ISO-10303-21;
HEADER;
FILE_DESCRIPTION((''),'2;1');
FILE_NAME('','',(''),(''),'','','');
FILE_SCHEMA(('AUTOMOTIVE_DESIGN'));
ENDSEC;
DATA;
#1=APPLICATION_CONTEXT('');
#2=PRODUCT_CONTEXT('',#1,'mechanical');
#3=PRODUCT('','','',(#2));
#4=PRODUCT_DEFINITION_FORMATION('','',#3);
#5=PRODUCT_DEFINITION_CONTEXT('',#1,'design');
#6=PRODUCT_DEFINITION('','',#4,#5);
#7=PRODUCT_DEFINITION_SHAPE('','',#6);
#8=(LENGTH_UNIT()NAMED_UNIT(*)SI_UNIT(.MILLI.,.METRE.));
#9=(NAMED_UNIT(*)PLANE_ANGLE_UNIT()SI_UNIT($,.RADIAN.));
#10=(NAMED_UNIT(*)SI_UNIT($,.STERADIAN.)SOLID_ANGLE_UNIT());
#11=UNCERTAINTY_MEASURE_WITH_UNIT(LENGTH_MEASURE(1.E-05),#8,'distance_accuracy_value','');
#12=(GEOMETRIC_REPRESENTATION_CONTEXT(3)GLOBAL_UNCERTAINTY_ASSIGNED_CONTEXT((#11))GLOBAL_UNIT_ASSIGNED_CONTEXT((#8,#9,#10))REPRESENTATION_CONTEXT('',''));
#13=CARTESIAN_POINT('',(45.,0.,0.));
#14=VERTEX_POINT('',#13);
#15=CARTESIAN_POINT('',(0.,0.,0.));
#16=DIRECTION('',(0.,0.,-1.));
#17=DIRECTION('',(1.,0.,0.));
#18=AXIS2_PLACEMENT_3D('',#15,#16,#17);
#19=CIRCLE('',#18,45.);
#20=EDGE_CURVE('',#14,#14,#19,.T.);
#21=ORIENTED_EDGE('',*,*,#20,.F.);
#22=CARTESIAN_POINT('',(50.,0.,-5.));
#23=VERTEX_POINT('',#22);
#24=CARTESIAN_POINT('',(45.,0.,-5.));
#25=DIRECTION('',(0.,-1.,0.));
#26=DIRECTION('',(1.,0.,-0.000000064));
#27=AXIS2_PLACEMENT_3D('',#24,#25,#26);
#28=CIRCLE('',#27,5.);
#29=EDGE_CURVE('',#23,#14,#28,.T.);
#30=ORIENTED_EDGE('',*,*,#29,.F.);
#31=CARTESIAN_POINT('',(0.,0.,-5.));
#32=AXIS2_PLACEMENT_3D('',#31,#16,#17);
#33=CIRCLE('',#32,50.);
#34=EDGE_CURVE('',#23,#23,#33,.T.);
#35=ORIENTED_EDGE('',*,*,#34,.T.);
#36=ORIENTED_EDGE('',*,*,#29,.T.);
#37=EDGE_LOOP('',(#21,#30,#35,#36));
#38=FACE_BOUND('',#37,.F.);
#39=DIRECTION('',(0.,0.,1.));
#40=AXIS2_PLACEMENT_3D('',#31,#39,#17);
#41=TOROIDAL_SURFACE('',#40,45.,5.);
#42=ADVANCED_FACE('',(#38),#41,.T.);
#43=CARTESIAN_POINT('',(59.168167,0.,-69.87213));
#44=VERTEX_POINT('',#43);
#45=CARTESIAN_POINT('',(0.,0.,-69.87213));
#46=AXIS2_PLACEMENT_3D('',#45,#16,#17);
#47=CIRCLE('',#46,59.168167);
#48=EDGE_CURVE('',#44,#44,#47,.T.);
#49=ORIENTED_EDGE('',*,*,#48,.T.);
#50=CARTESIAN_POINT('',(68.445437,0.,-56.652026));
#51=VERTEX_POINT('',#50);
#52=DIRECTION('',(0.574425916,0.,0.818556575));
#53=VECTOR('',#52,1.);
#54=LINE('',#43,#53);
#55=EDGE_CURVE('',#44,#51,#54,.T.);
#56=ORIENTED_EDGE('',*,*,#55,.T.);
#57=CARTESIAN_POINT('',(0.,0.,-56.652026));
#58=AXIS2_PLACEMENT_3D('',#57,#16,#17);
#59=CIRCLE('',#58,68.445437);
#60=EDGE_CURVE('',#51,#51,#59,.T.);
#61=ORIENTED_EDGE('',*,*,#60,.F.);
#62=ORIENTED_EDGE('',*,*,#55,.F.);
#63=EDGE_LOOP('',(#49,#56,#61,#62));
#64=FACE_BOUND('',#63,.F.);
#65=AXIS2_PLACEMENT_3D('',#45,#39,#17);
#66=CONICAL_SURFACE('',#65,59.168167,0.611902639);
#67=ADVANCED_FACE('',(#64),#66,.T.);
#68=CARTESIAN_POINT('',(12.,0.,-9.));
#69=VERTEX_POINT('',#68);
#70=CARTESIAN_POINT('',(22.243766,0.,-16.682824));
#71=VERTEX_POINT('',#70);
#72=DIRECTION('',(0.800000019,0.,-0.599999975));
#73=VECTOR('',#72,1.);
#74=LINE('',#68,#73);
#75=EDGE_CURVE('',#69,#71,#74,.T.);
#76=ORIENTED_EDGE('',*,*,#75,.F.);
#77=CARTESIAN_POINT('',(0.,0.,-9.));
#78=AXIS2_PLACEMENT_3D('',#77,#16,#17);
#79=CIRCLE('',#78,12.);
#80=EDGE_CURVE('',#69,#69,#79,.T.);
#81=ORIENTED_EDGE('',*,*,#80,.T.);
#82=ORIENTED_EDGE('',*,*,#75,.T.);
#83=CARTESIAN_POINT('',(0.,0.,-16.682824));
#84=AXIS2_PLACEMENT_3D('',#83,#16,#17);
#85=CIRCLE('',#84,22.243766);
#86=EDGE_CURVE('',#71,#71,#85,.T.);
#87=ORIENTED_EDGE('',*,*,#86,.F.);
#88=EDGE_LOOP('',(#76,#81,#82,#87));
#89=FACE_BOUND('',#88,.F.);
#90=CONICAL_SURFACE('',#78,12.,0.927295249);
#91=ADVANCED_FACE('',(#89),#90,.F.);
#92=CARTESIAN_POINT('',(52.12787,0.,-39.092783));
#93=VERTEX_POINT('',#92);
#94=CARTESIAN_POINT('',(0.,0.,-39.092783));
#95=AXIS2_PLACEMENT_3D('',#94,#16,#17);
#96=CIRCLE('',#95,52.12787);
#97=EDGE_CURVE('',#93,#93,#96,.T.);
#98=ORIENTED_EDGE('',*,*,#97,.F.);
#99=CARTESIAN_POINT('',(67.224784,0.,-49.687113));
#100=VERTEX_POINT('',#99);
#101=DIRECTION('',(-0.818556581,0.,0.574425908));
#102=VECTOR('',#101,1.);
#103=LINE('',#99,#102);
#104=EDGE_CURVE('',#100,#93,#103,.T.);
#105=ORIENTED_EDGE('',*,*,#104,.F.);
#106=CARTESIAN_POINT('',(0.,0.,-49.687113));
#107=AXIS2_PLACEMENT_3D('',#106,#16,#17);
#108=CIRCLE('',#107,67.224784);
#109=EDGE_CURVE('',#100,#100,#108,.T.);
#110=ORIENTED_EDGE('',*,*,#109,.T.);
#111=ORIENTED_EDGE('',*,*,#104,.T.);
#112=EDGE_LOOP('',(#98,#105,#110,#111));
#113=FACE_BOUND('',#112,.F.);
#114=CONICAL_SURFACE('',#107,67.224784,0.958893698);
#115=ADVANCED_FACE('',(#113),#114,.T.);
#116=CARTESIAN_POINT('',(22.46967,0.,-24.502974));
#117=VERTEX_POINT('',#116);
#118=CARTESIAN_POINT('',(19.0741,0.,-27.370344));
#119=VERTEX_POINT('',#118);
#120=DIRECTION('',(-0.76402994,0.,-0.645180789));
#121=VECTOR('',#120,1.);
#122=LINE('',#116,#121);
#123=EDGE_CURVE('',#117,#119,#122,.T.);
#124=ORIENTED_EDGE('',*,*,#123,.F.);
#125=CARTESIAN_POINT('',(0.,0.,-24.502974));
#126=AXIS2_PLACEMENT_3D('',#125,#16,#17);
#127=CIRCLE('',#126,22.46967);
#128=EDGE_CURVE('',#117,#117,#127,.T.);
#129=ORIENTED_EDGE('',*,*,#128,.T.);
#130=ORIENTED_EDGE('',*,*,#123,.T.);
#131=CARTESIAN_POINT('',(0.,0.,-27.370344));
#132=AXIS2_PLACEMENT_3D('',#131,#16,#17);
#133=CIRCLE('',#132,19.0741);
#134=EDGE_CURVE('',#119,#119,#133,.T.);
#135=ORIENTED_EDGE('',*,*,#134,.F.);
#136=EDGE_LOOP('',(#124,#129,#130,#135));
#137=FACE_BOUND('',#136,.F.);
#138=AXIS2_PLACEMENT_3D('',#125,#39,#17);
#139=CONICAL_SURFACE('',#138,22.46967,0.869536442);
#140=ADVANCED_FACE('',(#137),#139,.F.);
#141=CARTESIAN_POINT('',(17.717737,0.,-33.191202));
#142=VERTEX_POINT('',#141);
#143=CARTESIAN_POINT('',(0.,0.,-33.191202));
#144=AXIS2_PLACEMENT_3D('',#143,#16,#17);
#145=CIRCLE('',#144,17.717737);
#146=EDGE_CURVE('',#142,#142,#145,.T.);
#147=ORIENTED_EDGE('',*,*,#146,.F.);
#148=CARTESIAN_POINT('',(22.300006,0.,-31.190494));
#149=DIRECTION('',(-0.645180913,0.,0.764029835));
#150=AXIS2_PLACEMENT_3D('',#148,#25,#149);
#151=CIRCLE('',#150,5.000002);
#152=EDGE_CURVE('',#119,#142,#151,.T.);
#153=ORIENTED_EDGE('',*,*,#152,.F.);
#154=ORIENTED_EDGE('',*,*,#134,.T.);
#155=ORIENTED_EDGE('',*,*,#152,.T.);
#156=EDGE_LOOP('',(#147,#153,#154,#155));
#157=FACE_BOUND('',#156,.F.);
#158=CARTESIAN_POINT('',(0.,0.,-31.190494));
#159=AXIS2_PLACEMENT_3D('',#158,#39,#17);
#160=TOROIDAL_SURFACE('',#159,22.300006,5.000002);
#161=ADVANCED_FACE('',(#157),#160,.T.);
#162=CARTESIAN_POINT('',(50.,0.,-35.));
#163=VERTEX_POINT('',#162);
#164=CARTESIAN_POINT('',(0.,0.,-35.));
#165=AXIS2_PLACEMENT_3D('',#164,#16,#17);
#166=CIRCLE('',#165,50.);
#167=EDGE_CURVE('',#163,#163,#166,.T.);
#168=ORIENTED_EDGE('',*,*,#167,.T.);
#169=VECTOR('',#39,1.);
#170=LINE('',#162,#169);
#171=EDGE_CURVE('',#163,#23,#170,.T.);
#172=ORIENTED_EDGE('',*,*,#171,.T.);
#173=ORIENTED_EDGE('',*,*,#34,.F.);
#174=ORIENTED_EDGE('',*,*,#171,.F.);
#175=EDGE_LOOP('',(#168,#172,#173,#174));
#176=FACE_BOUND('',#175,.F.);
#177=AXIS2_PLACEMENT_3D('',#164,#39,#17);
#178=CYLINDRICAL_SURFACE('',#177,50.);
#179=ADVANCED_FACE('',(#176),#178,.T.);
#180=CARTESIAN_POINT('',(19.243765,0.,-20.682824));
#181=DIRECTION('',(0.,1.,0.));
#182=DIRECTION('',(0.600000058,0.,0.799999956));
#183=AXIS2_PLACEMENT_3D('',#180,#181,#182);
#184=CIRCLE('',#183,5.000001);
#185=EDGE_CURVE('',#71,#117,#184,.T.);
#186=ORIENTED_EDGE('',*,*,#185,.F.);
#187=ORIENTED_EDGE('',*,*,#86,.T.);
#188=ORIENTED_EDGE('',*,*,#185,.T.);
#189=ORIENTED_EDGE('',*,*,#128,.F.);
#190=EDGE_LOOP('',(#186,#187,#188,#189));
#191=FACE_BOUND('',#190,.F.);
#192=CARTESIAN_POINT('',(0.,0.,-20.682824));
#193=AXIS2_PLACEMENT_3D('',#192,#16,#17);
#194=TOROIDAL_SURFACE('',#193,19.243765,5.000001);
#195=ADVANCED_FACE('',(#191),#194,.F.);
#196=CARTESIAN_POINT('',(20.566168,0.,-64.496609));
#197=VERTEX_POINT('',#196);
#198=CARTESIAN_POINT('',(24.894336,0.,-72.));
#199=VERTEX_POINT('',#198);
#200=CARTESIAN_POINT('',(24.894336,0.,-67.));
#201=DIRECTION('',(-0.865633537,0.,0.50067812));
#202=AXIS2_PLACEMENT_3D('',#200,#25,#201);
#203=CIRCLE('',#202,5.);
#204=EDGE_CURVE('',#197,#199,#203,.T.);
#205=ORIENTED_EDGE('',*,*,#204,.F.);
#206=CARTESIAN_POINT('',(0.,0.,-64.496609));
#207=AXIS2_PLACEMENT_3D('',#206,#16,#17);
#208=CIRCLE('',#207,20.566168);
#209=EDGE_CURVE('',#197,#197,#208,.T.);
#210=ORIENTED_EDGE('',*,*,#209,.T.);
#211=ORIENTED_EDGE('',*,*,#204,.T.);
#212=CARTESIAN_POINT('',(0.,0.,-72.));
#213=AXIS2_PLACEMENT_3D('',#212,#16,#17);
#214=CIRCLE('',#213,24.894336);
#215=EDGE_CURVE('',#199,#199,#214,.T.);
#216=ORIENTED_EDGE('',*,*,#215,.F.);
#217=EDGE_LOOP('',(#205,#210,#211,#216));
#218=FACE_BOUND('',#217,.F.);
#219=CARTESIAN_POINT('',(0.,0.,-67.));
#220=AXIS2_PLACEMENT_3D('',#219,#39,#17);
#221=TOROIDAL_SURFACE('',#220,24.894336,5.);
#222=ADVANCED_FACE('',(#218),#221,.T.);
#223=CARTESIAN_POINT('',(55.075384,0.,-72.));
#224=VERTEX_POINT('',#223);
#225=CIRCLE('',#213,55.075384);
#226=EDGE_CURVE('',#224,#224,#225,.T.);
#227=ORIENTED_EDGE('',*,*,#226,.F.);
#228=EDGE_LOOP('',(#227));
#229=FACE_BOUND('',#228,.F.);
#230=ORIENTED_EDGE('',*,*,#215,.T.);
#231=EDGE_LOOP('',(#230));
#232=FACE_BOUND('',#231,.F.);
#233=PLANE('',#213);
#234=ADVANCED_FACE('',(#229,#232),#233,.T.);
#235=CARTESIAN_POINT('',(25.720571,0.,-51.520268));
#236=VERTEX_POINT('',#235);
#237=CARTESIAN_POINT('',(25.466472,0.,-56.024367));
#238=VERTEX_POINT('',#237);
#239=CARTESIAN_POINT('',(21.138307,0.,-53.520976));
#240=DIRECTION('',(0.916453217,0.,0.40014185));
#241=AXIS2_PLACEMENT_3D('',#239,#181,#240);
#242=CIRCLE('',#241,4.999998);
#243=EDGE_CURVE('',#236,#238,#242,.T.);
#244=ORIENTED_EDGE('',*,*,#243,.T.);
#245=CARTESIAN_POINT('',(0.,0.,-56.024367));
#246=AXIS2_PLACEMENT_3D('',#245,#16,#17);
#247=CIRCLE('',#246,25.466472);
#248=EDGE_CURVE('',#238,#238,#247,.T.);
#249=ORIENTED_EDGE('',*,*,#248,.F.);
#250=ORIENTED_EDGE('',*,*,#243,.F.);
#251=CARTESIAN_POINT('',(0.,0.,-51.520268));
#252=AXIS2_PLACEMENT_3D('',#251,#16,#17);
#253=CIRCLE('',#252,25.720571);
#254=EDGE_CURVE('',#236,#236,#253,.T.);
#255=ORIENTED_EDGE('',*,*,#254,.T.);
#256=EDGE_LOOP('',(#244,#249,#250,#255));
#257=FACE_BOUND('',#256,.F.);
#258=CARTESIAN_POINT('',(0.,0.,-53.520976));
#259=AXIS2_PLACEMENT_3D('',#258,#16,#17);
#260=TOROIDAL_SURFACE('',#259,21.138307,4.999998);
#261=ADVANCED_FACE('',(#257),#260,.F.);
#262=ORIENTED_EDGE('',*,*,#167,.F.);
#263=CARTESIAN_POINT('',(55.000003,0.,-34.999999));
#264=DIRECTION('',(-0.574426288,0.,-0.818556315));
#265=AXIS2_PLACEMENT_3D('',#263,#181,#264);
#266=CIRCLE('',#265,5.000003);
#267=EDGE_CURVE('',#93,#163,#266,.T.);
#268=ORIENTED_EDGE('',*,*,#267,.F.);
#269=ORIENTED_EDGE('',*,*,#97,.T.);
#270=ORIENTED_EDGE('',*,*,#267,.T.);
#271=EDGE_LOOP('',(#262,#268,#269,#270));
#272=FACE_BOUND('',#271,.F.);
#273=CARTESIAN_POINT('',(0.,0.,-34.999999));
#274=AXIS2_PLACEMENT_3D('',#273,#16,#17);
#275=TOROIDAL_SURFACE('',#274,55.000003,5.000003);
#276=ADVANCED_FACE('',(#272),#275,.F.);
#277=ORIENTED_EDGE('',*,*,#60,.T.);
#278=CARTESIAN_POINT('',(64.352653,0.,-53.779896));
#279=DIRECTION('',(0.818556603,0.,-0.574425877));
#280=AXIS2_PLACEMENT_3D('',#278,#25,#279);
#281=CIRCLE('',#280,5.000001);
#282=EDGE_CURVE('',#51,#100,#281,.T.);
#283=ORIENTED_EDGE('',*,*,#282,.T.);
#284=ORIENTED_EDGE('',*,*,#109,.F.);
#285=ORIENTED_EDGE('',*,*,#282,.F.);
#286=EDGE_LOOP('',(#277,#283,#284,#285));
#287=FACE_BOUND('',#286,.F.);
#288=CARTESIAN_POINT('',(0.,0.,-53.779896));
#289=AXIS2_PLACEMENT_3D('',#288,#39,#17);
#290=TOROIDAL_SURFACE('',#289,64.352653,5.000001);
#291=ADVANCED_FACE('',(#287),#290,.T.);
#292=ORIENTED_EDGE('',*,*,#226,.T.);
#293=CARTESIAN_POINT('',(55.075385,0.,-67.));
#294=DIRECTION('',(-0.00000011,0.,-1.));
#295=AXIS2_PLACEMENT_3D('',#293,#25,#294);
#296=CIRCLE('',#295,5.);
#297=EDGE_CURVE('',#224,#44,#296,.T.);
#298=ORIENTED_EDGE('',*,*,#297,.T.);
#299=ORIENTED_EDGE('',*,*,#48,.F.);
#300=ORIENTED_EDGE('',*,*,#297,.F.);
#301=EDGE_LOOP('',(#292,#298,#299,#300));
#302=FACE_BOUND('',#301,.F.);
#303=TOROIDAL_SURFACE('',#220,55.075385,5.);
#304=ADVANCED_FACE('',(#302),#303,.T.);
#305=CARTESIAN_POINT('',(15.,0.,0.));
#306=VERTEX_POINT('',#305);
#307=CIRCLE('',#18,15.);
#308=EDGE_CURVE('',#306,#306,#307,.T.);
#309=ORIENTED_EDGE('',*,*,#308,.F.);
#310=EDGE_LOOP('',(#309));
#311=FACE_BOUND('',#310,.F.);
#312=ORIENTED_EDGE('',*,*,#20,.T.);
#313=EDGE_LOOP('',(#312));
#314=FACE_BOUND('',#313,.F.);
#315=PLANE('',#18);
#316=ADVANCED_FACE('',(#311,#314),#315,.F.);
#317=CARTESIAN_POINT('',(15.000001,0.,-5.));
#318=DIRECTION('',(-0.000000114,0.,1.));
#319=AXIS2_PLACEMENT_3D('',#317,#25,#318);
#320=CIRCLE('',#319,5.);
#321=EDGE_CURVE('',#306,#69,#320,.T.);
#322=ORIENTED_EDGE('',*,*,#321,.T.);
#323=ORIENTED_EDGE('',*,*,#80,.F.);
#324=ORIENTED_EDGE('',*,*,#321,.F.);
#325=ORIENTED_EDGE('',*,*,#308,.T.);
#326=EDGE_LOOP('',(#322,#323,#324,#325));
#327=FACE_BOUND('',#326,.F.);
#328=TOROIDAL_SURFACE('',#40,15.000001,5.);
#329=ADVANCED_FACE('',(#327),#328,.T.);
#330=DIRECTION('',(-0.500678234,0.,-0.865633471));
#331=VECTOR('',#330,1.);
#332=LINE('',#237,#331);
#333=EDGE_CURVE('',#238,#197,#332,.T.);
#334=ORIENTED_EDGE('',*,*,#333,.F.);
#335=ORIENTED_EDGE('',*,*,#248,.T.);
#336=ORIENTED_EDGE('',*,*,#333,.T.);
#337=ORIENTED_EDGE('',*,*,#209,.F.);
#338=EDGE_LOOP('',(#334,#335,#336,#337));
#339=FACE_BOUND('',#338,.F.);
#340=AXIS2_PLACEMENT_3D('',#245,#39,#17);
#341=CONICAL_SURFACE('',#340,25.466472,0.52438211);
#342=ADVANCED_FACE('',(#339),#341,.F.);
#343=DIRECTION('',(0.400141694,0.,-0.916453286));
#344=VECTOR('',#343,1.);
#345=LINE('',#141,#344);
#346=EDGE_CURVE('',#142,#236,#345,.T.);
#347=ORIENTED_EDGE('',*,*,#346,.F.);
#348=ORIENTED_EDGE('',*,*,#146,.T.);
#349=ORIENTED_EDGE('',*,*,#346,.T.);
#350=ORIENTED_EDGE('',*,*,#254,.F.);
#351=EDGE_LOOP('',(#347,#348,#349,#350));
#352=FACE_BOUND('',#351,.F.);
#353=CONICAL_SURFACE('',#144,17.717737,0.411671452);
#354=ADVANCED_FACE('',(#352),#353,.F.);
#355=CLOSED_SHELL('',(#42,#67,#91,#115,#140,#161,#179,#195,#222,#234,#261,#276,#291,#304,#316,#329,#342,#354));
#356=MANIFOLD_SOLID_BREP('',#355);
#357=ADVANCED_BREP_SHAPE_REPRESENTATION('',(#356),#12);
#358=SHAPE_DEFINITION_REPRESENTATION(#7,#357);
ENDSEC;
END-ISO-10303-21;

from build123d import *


with BuildPart() as f1:
    # F0 (on Front) → F1 (revolve)
    with BuildSketch(Plane.XZ):
        with BuildLine():
            Line((45, 0), (15, 0))
            ThreePointArc((15, 0), (10.256584, -3.418861), (12, -9))
            Line((12, -9), (22.243766, -16.682824))
            ThreePointArc((22.243766, -16.682824), (24.241681, -20.538447), (22.46967, -24.502974))
            Line((22.46967, -24.502974), (19.0741, -27.370344))
            ThreePointArc((19.0741, -27.370344), (17.430458, -30.055804), (17.717737, -33.191202))
            Line((17.717737, -33.191202), (25.720571, -51.520268))
            ThreePointArc((25.720571, -51.520268), (26.130367, -53.802604), (25.466472, -56.024367))
            Line((25.466472, -56.024367), (20.566168, -64.496609))
            ThreePointArc((20.566168, -64.496609), (20.56323, -69.498304), (24.894336, -72))
            Line((24.894336, -72), (55.075384, -72))
            ThreePointArc((55.075384, -72), (57.381827, -71.436251), (59.168167, -69.87213))
            Line((59.168167, -69.87213), (68.445437, -56.652026))
            ThreePointArc((68.445437, -56.652026), (69.277591, -52.916764), (67.224784, -49.687113))
            Line((67.224784, -49.687113), (52.12787, -39.092783))
            ThreePointArc((52.12787, -39.092783), (50.563749, -37.306442), (50, -35))
            Line((50, -35), (50, -5))
            ThreePointArc((50, -5), (48.535534, -1.464466), (45, 0))
        make_face()
    revolve(axis=Axis((0, 0, -0.946067), (0, 0, -1)))


solid = f1.part
